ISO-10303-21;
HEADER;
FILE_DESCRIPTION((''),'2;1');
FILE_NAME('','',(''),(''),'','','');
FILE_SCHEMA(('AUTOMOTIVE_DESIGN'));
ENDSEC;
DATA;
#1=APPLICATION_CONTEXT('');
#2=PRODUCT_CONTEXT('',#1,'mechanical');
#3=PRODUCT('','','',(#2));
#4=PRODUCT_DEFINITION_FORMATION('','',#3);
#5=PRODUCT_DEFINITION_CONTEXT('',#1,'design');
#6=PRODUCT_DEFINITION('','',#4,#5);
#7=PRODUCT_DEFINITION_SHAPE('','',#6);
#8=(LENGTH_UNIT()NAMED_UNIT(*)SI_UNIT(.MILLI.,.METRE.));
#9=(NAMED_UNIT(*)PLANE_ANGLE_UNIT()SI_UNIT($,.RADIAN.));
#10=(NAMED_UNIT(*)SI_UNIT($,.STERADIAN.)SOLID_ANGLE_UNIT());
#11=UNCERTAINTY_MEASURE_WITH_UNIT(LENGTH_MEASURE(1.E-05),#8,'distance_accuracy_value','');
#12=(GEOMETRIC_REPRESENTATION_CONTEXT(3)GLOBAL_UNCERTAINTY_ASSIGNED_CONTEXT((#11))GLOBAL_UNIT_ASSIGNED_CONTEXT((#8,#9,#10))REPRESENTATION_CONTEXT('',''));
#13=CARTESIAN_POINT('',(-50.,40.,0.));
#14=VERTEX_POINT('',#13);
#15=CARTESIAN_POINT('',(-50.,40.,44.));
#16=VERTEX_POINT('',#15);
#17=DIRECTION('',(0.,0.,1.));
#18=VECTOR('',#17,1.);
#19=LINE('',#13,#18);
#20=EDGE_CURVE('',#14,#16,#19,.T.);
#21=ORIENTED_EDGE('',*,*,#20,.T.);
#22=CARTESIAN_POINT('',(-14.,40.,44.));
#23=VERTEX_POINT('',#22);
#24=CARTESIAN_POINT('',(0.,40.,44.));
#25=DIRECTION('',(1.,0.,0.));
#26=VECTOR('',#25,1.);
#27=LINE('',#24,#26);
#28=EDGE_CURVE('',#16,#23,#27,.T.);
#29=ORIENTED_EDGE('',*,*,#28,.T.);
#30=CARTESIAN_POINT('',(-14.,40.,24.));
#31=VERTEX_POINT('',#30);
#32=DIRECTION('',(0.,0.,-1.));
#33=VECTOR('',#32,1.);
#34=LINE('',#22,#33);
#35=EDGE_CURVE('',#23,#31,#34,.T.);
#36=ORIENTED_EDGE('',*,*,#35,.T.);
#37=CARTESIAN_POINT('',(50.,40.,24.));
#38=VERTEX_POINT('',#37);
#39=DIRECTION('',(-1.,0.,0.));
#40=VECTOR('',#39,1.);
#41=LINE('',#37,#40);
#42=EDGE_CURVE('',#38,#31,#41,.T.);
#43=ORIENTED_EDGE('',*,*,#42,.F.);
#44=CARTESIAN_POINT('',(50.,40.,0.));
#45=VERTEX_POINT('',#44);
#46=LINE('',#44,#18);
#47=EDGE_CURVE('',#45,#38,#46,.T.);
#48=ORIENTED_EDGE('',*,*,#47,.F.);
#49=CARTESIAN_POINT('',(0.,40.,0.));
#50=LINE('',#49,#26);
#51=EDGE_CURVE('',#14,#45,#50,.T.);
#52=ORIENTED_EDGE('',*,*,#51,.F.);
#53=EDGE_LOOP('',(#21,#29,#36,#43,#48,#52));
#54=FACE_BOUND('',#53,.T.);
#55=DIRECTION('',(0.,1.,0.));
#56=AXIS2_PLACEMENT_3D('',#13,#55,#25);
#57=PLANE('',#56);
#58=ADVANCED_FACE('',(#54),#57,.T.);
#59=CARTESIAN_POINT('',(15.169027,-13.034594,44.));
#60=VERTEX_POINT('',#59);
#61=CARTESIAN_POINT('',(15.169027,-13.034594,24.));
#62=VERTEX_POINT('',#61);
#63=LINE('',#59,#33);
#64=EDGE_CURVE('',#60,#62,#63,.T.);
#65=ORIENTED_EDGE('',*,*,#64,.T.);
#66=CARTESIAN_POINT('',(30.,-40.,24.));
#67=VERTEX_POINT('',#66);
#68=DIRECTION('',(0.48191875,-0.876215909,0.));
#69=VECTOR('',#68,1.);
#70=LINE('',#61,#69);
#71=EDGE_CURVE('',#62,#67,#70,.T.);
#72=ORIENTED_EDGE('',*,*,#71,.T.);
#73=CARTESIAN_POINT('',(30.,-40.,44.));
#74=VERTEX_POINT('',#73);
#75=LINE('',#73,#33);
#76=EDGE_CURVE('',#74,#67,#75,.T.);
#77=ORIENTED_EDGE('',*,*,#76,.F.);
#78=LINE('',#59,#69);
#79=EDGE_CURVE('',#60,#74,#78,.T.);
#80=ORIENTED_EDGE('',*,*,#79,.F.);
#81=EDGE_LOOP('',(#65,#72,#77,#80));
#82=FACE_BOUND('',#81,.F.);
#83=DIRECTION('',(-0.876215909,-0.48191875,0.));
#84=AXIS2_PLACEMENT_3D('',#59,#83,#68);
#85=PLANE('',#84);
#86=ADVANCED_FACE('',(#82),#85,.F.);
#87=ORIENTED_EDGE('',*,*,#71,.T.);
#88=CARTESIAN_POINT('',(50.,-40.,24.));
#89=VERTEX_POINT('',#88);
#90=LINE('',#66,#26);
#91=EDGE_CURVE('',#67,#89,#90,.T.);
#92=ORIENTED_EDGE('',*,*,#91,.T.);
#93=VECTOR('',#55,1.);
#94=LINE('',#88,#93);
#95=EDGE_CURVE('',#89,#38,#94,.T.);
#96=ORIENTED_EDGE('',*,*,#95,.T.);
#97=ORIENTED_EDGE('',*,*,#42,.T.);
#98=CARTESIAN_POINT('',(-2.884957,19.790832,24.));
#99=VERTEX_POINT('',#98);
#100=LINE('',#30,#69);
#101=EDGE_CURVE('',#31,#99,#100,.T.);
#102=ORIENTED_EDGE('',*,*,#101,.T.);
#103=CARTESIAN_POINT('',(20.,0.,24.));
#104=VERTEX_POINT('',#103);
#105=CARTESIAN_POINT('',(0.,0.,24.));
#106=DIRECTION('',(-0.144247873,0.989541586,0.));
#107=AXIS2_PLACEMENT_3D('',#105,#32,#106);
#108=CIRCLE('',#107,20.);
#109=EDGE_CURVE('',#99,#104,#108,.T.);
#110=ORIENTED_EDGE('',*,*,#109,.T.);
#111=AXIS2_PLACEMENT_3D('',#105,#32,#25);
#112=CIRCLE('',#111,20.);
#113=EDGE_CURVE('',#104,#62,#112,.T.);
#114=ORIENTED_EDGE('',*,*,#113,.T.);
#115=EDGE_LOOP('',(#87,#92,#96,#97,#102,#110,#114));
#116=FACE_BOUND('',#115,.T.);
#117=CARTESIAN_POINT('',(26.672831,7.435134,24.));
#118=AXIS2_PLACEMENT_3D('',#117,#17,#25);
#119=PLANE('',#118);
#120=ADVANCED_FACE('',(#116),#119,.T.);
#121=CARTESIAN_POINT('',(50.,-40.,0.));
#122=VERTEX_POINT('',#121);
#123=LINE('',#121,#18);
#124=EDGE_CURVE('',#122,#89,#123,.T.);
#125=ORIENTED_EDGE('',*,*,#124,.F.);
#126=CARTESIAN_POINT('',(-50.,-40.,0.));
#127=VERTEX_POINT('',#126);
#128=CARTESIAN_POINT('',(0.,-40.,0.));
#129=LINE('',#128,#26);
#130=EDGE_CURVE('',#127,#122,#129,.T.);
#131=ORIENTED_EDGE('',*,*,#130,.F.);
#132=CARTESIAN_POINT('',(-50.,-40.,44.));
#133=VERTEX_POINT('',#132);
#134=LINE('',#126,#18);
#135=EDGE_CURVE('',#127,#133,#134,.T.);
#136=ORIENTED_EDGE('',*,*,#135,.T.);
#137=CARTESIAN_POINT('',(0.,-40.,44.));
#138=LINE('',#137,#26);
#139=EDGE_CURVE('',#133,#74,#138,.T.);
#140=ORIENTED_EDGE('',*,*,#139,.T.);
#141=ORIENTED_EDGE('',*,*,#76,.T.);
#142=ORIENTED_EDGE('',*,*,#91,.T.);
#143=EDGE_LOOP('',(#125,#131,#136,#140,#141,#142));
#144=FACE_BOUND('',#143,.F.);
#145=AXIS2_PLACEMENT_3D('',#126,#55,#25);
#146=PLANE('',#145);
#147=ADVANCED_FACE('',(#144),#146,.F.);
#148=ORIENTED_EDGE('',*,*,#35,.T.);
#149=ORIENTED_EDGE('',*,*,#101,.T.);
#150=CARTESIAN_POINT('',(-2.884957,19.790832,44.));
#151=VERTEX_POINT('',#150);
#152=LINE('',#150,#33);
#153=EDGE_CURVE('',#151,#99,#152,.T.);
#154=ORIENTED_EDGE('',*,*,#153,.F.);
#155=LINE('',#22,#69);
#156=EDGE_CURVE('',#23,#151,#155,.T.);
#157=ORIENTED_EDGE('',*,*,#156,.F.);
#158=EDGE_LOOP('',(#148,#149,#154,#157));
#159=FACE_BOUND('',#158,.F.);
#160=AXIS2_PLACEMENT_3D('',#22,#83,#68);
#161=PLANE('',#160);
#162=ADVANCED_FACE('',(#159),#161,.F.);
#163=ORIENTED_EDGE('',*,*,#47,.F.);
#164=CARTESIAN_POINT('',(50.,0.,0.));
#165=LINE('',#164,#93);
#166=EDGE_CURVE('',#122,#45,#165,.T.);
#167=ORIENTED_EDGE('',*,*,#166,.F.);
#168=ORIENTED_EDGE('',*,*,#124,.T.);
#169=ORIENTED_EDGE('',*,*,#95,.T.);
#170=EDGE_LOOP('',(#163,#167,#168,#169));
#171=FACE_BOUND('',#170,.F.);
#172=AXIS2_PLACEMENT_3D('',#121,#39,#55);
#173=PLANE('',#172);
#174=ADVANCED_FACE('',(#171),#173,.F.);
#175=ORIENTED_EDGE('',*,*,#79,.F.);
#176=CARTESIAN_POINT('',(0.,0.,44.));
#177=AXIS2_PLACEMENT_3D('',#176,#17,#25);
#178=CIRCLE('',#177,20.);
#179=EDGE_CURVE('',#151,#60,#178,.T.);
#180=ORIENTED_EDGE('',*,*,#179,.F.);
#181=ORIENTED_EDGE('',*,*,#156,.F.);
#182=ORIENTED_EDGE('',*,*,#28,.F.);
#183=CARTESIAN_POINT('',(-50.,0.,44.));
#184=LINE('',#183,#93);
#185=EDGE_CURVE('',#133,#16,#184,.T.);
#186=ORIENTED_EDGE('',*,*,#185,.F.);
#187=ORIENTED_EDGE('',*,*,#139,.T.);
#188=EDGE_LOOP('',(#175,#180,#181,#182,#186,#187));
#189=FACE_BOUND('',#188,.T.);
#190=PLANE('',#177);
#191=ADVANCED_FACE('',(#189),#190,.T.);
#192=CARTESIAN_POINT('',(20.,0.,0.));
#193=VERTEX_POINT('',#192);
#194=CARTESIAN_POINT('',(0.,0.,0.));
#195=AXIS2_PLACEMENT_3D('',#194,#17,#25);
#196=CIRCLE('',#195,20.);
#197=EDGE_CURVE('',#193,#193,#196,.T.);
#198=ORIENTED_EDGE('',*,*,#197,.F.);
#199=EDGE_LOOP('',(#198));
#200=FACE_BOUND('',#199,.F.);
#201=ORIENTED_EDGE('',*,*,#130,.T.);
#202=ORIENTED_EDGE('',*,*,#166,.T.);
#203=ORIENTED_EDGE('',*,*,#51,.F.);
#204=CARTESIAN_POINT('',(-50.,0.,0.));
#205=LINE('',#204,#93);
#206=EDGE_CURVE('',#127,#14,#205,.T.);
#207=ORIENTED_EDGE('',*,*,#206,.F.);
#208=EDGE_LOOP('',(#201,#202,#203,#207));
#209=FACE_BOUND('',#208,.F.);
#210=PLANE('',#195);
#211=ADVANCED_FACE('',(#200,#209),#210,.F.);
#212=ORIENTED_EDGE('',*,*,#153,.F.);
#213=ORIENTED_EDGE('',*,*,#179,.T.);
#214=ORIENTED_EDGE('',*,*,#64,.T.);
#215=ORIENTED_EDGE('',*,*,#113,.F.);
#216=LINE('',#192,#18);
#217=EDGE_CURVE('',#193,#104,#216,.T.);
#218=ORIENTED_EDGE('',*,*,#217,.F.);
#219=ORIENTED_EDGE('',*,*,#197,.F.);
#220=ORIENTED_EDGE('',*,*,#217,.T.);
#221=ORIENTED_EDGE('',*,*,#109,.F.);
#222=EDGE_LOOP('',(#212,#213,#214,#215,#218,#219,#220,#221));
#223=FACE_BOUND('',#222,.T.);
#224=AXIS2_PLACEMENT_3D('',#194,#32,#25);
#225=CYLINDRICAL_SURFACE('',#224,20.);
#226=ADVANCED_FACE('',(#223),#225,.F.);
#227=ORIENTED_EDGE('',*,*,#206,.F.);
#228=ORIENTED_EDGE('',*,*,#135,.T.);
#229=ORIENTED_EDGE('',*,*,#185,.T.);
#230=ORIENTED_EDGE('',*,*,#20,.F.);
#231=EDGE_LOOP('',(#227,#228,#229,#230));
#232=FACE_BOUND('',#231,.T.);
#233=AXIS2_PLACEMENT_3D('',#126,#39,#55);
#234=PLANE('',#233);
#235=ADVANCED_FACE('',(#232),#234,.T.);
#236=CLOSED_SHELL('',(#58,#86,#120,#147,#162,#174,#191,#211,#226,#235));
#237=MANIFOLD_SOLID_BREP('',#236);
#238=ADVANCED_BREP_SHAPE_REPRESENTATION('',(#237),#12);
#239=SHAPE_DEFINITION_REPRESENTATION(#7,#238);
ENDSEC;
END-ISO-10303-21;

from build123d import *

# Parameters (mm, degrees)
F0_W     = 100
F0_H     = 80
F0_R     = 20
F1_DEPTH = 44
F3_DEPTH = 20


with BuildPart() as f1:
    # F0 (on Top) → F1 (new body)
    with BuildSketch(Plane.XY):
        Rectangle(F0_W, F0_H)
        Circle(F0_R, mode=Mode.SUBTRACT)
    extrude(amount=F1_DEPTH)

    # F2 (on face) → F3 (cut)
    with BuildSketch(Plane.XY.offset(44)):
        with BuildLine():
            Line((50, 40), (-14, 40))
            Line((-14, 40), (-2.8849574507, 19.7908317285))
            ThreePointArc((-2.8849574507, 19.7908317285), (13.0824472287, 15.1277749358), (20, 0))
            ThreePointArc((20, 0), (18.7534067701, -6.9505204492), (15.1690265486, -13.0345937247))
            Line((15.1690265486, -13.0345937247), (30, -40))
            Line((30, -40), (50, -40))
            Line((50, -40), (50, 40))
        make_face()
    extrude(amount=-F3_DEPTH, mode=Mode.SUBTRACT)


solid = f1.part
